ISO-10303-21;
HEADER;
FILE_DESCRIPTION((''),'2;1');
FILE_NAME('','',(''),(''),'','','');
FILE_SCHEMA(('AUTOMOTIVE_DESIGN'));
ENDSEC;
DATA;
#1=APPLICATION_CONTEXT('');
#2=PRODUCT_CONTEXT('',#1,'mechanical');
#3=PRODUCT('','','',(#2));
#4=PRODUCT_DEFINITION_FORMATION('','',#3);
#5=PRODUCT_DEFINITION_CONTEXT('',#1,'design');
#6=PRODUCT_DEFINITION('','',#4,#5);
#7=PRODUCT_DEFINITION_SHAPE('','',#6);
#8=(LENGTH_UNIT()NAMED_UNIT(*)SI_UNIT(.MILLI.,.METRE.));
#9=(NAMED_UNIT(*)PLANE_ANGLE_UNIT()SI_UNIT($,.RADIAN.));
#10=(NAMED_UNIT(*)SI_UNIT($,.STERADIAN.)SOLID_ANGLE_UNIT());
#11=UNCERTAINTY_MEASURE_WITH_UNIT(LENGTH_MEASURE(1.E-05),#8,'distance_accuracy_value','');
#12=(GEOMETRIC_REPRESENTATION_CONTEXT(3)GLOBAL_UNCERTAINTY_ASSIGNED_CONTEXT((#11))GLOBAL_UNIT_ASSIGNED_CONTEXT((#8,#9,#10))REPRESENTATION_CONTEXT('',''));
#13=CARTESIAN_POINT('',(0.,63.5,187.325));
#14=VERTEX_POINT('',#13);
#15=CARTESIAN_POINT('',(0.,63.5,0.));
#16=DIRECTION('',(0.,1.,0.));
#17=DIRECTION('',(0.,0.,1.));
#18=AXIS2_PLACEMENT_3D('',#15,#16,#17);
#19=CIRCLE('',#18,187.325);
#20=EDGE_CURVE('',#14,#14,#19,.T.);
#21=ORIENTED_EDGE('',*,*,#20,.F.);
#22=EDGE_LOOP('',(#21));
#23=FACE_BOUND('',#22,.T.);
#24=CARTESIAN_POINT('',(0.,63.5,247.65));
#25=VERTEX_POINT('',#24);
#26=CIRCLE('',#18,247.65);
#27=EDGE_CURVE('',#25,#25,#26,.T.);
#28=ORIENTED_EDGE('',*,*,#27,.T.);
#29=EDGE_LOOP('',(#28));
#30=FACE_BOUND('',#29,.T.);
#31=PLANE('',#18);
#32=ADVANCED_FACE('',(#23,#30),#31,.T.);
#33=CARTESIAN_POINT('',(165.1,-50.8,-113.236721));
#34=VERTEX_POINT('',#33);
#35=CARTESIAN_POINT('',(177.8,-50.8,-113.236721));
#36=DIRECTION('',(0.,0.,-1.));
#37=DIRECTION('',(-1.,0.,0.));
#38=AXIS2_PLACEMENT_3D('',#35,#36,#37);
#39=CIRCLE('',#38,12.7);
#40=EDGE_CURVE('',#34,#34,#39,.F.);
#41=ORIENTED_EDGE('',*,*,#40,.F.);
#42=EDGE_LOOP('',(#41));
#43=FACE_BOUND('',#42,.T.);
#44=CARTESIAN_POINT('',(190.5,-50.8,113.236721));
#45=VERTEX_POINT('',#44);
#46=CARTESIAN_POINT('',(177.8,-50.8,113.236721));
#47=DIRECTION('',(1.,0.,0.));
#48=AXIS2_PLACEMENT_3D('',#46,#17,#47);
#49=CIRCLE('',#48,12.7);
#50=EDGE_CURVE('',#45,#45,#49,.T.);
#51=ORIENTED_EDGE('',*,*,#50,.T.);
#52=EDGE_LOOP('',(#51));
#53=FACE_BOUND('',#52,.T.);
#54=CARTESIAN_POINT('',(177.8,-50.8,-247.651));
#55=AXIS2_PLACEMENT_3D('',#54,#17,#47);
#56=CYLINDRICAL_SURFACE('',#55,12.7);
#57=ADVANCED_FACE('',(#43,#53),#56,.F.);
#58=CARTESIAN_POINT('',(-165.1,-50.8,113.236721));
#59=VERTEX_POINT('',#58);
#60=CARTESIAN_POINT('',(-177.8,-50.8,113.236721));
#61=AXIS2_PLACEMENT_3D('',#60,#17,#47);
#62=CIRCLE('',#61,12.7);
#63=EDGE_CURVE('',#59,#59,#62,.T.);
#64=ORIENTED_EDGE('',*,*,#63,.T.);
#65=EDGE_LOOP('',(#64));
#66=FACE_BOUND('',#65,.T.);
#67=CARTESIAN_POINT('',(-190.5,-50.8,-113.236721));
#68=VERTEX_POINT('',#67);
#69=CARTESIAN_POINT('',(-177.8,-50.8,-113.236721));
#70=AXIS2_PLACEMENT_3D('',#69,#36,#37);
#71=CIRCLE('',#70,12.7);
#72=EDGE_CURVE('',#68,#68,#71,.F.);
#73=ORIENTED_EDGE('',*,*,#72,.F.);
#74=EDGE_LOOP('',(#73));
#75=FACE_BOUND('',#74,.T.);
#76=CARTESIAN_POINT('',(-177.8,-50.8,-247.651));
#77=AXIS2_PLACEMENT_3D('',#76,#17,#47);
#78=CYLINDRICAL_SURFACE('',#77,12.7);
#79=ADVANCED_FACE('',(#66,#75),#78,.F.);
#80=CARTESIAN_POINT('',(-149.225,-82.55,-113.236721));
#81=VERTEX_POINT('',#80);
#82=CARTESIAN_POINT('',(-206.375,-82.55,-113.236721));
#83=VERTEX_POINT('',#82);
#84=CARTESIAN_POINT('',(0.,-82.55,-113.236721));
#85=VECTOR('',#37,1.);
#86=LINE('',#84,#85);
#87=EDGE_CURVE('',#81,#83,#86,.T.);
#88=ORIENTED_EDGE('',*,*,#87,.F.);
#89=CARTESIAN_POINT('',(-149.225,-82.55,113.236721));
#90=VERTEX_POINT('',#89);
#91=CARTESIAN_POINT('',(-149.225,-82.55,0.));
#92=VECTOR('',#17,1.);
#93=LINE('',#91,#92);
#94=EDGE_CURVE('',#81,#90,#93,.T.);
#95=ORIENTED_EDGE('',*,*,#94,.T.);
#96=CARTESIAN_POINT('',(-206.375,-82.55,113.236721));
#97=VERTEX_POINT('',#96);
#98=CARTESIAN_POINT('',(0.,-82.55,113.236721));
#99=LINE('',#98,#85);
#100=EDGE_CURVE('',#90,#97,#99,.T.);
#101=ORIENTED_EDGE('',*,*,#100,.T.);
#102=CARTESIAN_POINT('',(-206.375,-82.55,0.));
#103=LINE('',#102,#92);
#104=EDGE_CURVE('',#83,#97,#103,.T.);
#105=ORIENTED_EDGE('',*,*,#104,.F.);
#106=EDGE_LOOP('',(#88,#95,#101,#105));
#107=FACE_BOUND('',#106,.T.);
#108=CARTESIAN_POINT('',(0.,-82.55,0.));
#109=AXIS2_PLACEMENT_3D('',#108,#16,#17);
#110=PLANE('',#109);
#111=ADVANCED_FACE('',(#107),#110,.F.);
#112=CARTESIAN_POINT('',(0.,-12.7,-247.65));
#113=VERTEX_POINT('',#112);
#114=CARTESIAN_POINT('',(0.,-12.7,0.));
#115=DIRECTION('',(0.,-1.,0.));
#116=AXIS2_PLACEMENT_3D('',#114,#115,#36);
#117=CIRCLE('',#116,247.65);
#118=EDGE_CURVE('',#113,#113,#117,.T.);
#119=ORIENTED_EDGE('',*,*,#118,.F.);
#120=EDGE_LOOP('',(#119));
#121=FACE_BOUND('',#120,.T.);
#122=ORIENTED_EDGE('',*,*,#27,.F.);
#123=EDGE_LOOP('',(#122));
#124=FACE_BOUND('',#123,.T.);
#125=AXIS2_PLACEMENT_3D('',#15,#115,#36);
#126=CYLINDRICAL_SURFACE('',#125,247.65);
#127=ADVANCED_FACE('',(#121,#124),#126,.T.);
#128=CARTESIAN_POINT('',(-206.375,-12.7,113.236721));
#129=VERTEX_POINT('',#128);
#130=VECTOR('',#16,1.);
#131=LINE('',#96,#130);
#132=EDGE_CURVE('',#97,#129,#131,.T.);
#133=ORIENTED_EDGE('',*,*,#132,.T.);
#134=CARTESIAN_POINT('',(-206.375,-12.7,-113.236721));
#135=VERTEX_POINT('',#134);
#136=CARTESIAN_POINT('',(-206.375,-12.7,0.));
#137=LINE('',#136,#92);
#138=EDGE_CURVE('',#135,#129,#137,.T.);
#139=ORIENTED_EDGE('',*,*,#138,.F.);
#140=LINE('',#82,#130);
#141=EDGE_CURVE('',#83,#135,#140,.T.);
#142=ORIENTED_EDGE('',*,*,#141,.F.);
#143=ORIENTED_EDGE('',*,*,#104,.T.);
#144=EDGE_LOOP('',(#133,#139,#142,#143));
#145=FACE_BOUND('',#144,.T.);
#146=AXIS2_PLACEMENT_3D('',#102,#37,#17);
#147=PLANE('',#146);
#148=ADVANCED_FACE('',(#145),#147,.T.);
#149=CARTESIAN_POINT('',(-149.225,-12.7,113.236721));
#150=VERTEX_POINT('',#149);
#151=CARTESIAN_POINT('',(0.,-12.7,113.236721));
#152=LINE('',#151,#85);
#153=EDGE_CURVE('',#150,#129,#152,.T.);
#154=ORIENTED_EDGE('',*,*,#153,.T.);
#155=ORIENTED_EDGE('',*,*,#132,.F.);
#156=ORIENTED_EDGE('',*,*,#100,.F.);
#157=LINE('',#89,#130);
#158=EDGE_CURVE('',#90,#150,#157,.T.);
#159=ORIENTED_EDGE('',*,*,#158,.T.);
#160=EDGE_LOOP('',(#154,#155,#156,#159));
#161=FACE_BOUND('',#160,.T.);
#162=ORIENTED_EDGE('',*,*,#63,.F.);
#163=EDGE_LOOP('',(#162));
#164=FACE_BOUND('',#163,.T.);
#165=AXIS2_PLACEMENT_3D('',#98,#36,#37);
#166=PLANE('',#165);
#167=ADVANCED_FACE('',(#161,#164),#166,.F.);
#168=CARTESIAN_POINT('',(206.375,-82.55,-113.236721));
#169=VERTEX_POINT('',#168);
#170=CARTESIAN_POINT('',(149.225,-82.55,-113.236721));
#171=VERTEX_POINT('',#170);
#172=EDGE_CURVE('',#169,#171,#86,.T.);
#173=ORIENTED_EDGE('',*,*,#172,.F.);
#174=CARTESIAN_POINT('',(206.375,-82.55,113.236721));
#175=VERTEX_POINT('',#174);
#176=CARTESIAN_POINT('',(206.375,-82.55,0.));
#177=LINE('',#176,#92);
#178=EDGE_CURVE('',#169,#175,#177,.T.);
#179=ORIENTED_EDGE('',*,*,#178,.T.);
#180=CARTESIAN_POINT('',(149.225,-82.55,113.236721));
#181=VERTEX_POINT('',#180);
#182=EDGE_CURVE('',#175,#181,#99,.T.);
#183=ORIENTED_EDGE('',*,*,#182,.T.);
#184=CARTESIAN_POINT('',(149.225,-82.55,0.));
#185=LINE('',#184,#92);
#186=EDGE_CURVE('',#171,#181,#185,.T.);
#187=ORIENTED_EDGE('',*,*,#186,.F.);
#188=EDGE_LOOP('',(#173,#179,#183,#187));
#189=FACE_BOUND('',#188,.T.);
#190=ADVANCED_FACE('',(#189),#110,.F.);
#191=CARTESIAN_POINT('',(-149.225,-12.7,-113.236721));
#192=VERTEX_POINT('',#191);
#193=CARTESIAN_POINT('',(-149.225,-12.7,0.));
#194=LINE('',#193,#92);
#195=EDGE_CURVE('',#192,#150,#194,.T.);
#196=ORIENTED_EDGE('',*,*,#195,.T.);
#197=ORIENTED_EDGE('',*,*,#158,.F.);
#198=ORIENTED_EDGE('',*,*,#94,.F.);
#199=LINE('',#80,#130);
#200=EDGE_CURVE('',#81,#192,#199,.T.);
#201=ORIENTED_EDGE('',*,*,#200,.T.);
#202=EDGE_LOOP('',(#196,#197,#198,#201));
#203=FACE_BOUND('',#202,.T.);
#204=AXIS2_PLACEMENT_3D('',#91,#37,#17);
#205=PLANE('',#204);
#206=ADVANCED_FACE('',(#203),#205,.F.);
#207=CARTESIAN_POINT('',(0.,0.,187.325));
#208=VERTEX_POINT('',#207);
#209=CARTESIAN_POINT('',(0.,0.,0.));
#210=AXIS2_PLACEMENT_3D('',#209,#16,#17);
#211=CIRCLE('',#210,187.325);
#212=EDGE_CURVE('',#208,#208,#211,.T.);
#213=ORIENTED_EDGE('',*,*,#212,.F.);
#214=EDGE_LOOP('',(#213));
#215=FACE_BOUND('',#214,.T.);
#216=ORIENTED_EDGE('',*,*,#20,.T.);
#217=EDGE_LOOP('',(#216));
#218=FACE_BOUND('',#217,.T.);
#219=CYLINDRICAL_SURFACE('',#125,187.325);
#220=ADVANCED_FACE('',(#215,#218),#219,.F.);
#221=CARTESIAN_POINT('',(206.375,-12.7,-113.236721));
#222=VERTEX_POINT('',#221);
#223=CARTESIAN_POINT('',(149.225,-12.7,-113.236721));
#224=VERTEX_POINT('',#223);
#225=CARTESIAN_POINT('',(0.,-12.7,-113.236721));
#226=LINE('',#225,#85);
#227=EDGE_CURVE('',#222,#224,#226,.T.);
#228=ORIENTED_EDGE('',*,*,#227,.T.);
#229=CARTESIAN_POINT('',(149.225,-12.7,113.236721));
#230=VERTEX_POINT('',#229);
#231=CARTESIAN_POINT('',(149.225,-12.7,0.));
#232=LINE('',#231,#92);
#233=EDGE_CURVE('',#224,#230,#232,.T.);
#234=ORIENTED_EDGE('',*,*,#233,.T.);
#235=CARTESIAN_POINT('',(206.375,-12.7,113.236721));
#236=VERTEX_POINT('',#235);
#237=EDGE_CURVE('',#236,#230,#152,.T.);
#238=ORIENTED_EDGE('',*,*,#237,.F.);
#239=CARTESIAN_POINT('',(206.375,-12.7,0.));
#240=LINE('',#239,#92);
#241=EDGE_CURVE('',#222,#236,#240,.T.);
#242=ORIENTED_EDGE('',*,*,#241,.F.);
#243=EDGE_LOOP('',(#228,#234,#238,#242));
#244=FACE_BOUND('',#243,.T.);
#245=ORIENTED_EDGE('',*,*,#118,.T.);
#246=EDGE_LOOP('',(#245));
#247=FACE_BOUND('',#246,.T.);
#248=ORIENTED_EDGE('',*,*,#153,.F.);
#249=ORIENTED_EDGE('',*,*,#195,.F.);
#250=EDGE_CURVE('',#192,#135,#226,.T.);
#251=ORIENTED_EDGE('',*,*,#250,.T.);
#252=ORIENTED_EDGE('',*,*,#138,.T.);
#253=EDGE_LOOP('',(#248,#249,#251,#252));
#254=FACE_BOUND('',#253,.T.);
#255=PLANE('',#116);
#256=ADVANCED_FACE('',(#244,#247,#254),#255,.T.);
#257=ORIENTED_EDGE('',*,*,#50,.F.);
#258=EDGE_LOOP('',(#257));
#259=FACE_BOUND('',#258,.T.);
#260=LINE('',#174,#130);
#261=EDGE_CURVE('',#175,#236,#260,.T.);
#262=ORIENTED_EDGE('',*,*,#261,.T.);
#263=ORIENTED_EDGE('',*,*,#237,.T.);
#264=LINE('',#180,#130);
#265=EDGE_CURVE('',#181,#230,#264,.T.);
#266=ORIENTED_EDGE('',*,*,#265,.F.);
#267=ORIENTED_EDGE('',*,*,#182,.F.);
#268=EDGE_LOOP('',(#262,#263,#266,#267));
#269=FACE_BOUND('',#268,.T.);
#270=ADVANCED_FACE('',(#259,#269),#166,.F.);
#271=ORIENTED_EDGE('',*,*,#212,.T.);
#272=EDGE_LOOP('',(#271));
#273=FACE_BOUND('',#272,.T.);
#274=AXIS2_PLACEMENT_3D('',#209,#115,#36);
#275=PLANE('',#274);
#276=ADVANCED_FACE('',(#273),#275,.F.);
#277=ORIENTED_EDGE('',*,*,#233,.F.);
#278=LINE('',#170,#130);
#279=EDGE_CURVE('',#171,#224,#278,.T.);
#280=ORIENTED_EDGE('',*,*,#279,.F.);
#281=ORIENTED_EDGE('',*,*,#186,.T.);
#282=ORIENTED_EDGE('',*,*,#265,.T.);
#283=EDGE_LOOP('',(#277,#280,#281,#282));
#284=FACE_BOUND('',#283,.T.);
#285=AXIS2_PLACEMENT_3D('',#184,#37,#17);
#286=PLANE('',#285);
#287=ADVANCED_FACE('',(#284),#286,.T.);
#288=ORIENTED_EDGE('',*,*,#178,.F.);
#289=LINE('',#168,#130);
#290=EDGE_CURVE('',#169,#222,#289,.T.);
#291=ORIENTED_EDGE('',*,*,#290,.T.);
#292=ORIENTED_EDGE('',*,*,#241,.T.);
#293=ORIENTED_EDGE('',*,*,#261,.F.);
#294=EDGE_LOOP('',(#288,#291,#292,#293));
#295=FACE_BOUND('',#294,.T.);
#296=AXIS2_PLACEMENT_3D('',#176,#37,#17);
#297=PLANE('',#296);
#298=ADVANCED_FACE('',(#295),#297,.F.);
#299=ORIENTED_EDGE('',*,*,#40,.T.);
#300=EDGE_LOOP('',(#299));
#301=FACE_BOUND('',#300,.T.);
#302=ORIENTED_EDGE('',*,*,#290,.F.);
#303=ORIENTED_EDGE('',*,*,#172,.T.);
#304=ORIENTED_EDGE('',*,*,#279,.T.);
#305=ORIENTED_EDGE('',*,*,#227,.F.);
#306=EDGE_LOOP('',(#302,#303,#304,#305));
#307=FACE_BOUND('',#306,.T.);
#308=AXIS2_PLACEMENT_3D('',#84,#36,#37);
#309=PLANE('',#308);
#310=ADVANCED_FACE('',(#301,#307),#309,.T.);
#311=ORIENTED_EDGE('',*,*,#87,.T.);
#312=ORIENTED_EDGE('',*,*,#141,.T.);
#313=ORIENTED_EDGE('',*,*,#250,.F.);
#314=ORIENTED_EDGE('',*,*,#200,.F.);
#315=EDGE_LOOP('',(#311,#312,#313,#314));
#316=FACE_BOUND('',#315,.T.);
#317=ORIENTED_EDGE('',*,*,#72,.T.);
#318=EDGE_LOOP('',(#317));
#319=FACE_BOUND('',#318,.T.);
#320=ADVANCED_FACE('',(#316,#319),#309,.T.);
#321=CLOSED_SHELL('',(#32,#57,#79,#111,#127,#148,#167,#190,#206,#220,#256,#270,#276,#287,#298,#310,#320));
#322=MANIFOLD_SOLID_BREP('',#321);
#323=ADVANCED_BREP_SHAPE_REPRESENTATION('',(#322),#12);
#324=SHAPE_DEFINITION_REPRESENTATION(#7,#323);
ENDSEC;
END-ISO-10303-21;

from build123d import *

# Parameters (mm, degrees)
SKETCH1_R           = 247.65
SKETCH1_R_2         = 187.325
BOSS_EXTRUDE1_DEPTH = 63.5
BOSS_EXTRUDE2_START = 12.7
SKETCH2_R           = 247.65
BOSS_EXTRUDE2_DEPTH = 12.7
BOSS_EXTRUDE3_START = 82.55
BOSS_EXTRUDE3_DEPTH = 69.85
CUT_EXTRUDE1_REACH  = 447.403
SKETCH4_R           = 12.7


with BuildPart() as part:
    # Sketch1 → Boss-Extrude1 (new body)
    with BuildSketch(Plane(origin=(0, 0, 0), x_dir=(1, 0, 0), z_dir=(0, 1, 0))):
        with Locations(Location((0, 0, 0), (0, 0, 270))):
            Circle(SKETCH1_R)
        with Locations(Location((0, 0, 0), (0, 0, 270))):
            Circle(SKETCH1_R_2, mode=Mode.SUBTRACT)
    extrude(amount=BOSS_EXTRUDE1_DEPTH)

    # Sketch2 → Boss-Extrude2 (add)
    # profile 1 of 6: a face of its own
    with BuildSketch(Plane.XZ.offset(BOSS_EXTRUDE2_START)):
        with Locations(Location((0, 0, 0), (0, 0, 270))):
            Circle(SKETCH2_R)
        with BuildLine():
            Line((-206.375, -113.236721076), (-206.375, 113.236721076))
            Line((-206.375, 113.236721076), (-149.225, 113.236721076))
            ThreePointArc((-149.225, 113.236721076), (0, 187.325), (149.225, 113.236721076))
            Line((149.225, 113.236721076), (206.375, 113.236721076))
            Line((206.375, 113.236721076), (206.375, -113.236721076))
            Line((206.375, -113.236721076), (149.225, -113.236721076))
            ThreePointArc((149.225, -113.236721076), (0, -187.325), (-149.225, -113.236721076))
            Line((-149.225, -113.236721076), (-206.375, -113.236721076))
        make_face(mode=Mode.SUBTRACT)
    # profile 2 of 6: a face of its own
    with BuildSketch(Plane.XZ.offset(BOSS_EXTRUDE2_START)):
        with BuildLine():
            Line((206.375, 113.236721076), (149.225, 113.236721076))
            ThreePointArc((149.225, 113.236721076), (177.544682756, 59.737268518), (187.325, 0))
            ThreePointArc((187.325, 0), (177.544682756, -59.737268518), (149.225, -113.236721076))
            Line((149.225, -113.236721076), (206.375, -113.236721076))
            Line((206.375, -113.236721076), (206.375, 113.236721076))
        make_face()
    # profile 3 of 6: a face of its own
    with BuildSketch(Plane.XZ.offset(BOSS_EXTRUDE2_START)):
        with BuildLine():
            ThreePointArc((187.325, 0), (177.544682756, 59.737268518), (149.225, 113.236721076))
            Line((149.225, 113.236721076), (149.225, -113.236721076))
            ThreePointArc((149.225, -113.236721076), (177.544682756, -59.737268518), (187.325, 0))
        make_face()
    # profile 4 of 6: a face of its own
    with BuildSketch(Plane.XZ.offset(BOSS_EXTRUDE2_START)):
        with BuildLine():
            Line((-149.225, -113.236721076), (-149.225, 113.236721076))
            ThreePointArc((-149.225, 113.236721076), (-187.325, 0), (-149.225, -113.236721076))
        make_face()
    # profile 5 of 6: a face of its own
    with BuildSketch(Plane.XZ.offset(BOSS_EXTRUDE2_START)):
        with BuildLine():
            ThreePointArc((149.225, 113.236721076), (0, 187.325), (-149.225, 113.236721076))
            Line((-149.225, 113.236721076), (-149.225, -113.236721076))
            ThreePointArc((-149.225, -113.236721076), (0, -187.325), (149.225, -113.236721076))
            Line((149.225, -113.236721076), (149.225, 113.236721076))
        make_face()
    # profile 6 of 6: a face of its own
    with BuildSketch(Plane.XZ.offset(BOSS_EXTRUDE2_START)):
        with BuildLine():
            Line((-149.225, 113.236721076), (-206.375, 113.236721076))
            Line((-206.375, 113.236721076), (-206.375, -113.236721076))
            Line((-206.375, -113.236721076), (-149.225, -113.236721076))
            ThreePointArc((-149.225, -113.236721076), (-187.325, 0), (-149.225, 113.236721076))
        make_face()
    extrude(amount=-BOSS_EXTRUDE2_DEPTH)

    # Sketch2<3> → Boss-Extrude3 (add)
    with BuildSketch(Plane.XZ.offset(BOSS_EXTRUDE3_START)):
        with BuildLine():
            Line((-149.225, -113.236721076), (-149.225, 113.236721076))
            ThreePointArc((-149.225, 113.236721076), (-187.325, 0), (-149.225, -113.236721076))
        make_face()
        with BuildLine():
            Line((-149.225, 113.236721076), (-206.375, 113.236721076))
            Line((-206.375, 113.236721076), (-206.375, -113.236721076))
            Line((-206.375, -113.236721076), (-149.225, -113.236721076))
            ThreePointArc((-149.225, -113.236721076), (-187.325, 0), (-149.225, 113.236721076))
        make_face()
        with BuildLine():
            Line((206.375, 113.236721076), (149.225, 113.236721076))
            ThreePointArc((149.225, 113.236721076), (177.544682756, 59.737268518), (187.325, 0))
            ThreePointArc((187.325, 0), (177.544682756, -59.737268518), (149.225, -113.236721076))
            Line((149.225, -113.236721076), (206.375, -113.236721076))
            Line((206.375, -113.236721076), (206.375, 113.236721076))
        make_face()
        with BuildLine():
            ThreePointArc((187.325, 0), (177.544682756, 59.737268518), (149.225, 113.236721076))
            Line((149.225, 113.236721076), (149.225, -113.236721076))
            ThreePointArc((149.225, -113.236721076), (177.544682756, -59.737268518), (187.325, 0))
        make_face()
    extrude(amount=-BOSS_EXTRUDE3_DEPTH)

    # Sketch4 → Cut-Extrude1 (cut, up to next)
    with BuildSketch(Plane.XY.offset(113.236721076), mode=Mode.PRIVATE) as cut_extrude1_sk1:
        with Locations((177.8, -50.8)):
            Circle(SKETCH4_R)
    cut_extrude1_tool1 = extrude(cut_extrude1_sk1.sketch, amount=-CUT_EXTRUDE1_REACH, mode=Mode.PRIVATE) & part.part
    # Sketch4 → Cut-Extrude1 (cut, up to next)
    with BuildSketch(Plane.XY.offset(113.236721076), mode=Mode.PRIVATE) as cut_extrude1_sk2:
        with Locations((-177.8, -50.8)):
            Circle(SKETCH4_R)
    cut_extrude1_tool2 = extrude(cut_extrude1_sk2.sketch, amount=-CUT_EXTRUDE1_REACH, mode=Mode.PRIVATE) & part.part
    add(cut_extrude1_tool1.solids().sort_by_distance((177.8, -50.8, 113.236721))[0], mode=Mode.SUBTRACT)
    add(cut_extrude1_tool2.solids().sort_by_distance((-177.8, -50.8, 113.236721))[0], mode=Mode.SUBTRACT)


solid = part.part
